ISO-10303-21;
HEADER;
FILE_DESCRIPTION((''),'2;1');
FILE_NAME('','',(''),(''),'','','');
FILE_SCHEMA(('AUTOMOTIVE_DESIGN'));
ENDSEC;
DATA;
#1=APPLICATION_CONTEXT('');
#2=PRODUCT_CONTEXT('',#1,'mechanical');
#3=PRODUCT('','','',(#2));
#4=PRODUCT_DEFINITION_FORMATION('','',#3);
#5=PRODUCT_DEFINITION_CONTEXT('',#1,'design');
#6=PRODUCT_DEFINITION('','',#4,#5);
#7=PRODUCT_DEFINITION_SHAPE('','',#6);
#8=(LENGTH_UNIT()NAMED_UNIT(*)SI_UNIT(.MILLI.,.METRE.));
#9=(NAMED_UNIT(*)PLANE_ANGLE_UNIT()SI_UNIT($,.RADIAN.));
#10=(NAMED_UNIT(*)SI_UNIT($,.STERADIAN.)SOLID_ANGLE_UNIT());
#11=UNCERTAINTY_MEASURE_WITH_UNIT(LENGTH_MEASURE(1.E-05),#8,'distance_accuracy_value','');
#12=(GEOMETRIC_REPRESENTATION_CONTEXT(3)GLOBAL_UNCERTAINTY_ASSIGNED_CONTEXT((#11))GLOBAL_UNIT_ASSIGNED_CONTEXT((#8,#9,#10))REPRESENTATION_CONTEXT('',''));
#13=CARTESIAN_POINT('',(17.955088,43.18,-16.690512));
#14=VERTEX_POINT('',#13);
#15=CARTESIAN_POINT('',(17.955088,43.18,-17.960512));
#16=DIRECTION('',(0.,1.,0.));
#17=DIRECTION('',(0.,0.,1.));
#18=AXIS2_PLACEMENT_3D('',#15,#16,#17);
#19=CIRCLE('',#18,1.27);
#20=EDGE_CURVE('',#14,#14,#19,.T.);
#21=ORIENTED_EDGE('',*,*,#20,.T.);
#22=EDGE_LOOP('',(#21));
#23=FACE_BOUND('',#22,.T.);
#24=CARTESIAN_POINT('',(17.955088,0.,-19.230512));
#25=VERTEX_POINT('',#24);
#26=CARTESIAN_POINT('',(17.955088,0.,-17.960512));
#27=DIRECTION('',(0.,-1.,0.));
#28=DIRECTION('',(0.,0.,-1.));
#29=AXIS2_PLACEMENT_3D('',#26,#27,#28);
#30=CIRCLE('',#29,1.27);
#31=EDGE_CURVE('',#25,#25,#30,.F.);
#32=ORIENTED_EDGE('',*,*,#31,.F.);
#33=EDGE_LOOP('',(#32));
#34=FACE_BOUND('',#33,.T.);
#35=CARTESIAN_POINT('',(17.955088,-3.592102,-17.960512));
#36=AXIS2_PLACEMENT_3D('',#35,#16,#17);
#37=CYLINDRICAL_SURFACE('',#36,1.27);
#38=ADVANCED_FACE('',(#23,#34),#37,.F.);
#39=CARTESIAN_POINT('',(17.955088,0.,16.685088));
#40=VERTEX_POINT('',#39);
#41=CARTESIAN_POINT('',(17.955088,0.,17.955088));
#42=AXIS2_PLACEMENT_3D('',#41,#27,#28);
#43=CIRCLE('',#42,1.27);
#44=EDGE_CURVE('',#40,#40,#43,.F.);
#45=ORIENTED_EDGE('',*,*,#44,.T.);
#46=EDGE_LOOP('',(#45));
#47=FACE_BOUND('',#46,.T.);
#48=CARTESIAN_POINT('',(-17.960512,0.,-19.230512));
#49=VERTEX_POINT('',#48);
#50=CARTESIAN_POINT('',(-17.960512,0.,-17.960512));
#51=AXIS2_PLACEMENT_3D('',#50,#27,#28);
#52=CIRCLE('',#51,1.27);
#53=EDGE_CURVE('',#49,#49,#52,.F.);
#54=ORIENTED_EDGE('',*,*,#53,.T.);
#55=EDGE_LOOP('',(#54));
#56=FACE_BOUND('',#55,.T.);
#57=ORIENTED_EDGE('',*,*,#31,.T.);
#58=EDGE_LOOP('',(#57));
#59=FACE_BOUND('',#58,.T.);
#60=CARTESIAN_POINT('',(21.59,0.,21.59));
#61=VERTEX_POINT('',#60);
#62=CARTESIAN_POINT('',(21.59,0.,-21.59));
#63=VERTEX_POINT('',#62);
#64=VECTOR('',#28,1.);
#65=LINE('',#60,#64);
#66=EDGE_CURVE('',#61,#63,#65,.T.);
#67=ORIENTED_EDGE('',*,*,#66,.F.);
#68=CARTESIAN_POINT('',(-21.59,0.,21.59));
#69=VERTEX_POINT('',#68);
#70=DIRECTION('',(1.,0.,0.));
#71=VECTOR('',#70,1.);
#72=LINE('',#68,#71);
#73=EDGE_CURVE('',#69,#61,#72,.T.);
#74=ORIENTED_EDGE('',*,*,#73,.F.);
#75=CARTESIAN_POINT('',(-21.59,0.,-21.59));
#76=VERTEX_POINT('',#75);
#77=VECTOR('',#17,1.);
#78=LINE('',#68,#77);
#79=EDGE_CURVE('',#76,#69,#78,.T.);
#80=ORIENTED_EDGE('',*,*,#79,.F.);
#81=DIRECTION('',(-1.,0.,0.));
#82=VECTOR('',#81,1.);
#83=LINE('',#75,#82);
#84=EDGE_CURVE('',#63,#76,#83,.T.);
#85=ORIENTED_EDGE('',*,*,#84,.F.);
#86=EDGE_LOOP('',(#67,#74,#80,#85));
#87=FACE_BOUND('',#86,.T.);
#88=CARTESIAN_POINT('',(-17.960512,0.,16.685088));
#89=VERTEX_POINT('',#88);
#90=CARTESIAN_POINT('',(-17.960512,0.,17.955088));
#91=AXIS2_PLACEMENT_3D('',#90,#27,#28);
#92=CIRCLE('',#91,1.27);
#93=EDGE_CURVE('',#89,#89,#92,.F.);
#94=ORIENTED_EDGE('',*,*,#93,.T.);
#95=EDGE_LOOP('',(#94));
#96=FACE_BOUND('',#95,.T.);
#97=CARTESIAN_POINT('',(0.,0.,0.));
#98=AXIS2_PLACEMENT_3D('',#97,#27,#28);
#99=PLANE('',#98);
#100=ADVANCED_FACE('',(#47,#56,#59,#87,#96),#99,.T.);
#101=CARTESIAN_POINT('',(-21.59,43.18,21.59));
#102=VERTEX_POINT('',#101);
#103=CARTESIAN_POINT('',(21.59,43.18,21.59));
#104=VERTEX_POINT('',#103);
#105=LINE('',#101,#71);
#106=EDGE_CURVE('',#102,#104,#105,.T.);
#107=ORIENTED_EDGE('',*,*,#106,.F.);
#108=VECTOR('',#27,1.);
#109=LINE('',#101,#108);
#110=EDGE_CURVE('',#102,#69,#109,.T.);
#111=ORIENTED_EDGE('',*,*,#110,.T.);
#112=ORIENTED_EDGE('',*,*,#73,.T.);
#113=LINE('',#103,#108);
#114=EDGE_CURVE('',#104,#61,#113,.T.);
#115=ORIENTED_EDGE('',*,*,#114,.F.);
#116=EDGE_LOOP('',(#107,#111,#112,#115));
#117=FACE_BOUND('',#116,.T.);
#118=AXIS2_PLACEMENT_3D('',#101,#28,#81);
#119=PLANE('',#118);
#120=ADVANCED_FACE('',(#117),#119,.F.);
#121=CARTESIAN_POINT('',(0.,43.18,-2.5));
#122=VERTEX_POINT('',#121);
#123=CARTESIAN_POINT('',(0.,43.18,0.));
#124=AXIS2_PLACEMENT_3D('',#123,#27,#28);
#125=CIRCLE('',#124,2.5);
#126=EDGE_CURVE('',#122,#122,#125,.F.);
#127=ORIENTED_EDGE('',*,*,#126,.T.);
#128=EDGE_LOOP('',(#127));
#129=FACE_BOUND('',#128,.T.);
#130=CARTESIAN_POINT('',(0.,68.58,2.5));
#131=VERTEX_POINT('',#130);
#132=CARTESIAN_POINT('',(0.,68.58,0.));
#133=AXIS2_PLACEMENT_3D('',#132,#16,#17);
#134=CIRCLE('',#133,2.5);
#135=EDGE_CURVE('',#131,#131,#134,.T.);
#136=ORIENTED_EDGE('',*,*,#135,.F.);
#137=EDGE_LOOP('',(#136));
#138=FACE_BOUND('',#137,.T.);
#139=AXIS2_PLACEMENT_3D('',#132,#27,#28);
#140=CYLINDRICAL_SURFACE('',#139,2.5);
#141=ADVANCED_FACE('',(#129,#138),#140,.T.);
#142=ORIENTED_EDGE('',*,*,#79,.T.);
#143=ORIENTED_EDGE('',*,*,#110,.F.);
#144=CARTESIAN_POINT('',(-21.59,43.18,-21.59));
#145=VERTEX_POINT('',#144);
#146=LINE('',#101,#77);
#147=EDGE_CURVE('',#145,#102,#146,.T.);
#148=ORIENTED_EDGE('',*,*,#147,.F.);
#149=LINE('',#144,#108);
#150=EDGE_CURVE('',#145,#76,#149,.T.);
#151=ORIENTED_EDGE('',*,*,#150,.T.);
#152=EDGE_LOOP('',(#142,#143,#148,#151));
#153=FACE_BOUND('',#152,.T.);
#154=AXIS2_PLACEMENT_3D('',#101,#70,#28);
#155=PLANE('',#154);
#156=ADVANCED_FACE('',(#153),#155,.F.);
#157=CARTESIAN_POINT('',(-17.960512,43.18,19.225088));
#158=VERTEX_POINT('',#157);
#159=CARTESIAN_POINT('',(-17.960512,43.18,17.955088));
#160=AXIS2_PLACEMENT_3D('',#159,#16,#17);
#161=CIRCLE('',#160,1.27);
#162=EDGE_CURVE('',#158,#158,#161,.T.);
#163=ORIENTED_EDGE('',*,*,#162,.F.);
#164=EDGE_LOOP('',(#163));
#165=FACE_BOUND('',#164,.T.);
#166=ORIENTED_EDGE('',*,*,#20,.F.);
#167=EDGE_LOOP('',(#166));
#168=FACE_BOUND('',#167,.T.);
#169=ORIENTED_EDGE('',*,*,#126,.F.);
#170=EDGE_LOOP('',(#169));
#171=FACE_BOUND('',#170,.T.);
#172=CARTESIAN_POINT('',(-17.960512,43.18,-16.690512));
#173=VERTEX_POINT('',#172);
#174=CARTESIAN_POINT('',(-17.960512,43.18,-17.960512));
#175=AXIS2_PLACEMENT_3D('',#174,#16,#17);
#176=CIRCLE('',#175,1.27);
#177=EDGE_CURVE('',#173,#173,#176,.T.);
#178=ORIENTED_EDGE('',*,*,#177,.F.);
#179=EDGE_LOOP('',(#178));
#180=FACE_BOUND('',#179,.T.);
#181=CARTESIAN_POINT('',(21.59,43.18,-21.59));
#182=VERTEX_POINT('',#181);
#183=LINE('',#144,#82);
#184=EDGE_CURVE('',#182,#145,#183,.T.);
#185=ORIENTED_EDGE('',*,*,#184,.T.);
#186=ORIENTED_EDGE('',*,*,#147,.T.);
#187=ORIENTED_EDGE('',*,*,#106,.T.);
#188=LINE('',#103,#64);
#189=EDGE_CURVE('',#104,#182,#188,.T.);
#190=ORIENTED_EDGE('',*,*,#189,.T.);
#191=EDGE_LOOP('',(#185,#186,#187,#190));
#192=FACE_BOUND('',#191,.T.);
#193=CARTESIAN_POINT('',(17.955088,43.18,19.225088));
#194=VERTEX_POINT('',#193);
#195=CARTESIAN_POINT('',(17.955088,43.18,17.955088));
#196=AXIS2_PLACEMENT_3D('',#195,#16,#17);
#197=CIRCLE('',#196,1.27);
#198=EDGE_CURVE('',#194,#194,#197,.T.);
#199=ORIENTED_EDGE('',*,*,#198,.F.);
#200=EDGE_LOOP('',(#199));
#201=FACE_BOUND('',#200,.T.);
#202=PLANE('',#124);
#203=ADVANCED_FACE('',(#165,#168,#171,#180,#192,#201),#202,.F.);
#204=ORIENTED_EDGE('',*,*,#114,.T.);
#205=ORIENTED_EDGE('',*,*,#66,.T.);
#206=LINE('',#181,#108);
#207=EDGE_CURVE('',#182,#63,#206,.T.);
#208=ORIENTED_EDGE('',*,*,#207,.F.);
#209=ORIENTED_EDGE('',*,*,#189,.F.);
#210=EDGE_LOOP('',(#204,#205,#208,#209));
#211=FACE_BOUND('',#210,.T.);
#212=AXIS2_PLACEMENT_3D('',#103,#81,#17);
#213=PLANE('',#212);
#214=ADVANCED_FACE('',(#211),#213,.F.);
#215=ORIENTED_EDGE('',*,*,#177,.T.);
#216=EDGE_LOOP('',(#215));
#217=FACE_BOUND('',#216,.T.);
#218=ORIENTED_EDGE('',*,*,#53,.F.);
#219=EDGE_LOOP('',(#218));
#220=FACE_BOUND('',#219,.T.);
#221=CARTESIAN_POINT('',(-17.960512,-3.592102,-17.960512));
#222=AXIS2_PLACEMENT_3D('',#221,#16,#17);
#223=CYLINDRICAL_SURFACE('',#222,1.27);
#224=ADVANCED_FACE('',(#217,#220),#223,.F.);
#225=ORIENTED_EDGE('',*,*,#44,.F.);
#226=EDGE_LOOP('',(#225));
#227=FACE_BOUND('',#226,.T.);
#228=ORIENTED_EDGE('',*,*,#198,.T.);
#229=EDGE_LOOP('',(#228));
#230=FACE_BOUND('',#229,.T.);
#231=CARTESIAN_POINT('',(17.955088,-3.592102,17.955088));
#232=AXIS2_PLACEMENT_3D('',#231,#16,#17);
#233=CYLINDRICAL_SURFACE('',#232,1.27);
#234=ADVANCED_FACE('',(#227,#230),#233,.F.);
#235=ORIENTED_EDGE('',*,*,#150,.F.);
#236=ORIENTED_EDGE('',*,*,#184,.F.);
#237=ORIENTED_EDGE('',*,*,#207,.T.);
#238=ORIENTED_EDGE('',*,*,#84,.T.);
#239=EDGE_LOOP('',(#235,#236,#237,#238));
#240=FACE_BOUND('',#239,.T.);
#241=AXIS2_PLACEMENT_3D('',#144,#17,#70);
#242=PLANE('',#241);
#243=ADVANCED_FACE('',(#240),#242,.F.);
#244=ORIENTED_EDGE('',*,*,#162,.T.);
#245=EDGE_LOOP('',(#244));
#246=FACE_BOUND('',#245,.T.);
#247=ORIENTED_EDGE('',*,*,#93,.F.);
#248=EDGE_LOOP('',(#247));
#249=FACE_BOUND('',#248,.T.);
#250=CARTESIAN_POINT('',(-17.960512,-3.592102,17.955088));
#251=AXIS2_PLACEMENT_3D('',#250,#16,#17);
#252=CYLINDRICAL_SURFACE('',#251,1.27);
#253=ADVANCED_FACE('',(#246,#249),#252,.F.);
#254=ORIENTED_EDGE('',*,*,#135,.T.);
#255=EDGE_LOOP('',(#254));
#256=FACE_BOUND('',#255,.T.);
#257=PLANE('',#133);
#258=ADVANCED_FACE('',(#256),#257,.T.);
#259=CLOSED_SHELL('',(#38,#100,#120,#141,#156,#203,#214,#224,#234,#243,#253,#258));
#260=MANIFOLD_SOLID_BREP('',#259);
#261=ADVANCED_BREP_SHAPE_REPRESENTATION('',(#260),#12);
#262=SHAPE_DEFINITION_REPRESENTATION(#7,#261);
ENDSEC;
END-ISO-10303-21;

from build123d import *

# Parameters (mm, degrees)
SKETCH1_W            = 43.18
SKETCH1_H            = 43.18
BOSS_EXTRUDE1_DEPTH  = 43.18
SKETCH2_R            = 2.5
BOSS_EXTRUDE2_DEPTH  = 25.4
SKETCH3_R            = 1.27
CUT_EXTRUDE1_DEPTH   = 43.18
LPATTERN1_COUNT      = 2
LPATTERN1_PITCH      = 35.9156
LPATTERN1_COUNT_DIR2 = 2
LPATTERN1_PITCH_DIR2 = 35.9156


with BuildPart() as part:
    # Sketch1 → Boss-Extrude1 (new body)
    with BuildSketch(Plane(origin=(0, 0, 0), x_dir=(1, 0, 0), z_dir=(0, 1, 0))):
        Rectangle(SKETCH1_W, SKETCH1_H)
    extrude(amount=BOSS_EXTRUDE1_DEPTH)

    # Sketch2 → Boss-Extrude2 (add)
    with BuildSketch(Plane(origin=(0, 43.18, 0), x_dir=(1, 0, 0), z_dir=(0, 1, 0))):
        Circle(SKETCH2_R)
    extrude(amount=BOSS_EXTRUDE2_DEPTH)

    # Sketch3 → Cut-Extrude1 (cut)
    with BuildSketch(Plane(origin=(0, 43.18, 0), x_dir=(1, 0, 0), z_dir=(0, 1, 0))):
        with Locations((-17.960512242, 17.960512242)):
            Circle(SKETCH3_R)
    cut_extrude1 = extrude(amount=-CUT_EXTRUDE1_DEPTH, mode=Mode.SUBTRACT)

    # LPattern1: Cut-Extrude1 2 × 2
    with Locations(*[(i * LPATTERN1_PITCH, 0, j * LPATTERN1_PITCH_DIR2) for i in range(LPATTERN1_COUNT) for j in range(LPATTERN1_COUNT_DIR2) if (i, j) != (0, 0)]):
        add(cut_extrude1, mode=Mode.SUBTRACT)


solid = part.part
